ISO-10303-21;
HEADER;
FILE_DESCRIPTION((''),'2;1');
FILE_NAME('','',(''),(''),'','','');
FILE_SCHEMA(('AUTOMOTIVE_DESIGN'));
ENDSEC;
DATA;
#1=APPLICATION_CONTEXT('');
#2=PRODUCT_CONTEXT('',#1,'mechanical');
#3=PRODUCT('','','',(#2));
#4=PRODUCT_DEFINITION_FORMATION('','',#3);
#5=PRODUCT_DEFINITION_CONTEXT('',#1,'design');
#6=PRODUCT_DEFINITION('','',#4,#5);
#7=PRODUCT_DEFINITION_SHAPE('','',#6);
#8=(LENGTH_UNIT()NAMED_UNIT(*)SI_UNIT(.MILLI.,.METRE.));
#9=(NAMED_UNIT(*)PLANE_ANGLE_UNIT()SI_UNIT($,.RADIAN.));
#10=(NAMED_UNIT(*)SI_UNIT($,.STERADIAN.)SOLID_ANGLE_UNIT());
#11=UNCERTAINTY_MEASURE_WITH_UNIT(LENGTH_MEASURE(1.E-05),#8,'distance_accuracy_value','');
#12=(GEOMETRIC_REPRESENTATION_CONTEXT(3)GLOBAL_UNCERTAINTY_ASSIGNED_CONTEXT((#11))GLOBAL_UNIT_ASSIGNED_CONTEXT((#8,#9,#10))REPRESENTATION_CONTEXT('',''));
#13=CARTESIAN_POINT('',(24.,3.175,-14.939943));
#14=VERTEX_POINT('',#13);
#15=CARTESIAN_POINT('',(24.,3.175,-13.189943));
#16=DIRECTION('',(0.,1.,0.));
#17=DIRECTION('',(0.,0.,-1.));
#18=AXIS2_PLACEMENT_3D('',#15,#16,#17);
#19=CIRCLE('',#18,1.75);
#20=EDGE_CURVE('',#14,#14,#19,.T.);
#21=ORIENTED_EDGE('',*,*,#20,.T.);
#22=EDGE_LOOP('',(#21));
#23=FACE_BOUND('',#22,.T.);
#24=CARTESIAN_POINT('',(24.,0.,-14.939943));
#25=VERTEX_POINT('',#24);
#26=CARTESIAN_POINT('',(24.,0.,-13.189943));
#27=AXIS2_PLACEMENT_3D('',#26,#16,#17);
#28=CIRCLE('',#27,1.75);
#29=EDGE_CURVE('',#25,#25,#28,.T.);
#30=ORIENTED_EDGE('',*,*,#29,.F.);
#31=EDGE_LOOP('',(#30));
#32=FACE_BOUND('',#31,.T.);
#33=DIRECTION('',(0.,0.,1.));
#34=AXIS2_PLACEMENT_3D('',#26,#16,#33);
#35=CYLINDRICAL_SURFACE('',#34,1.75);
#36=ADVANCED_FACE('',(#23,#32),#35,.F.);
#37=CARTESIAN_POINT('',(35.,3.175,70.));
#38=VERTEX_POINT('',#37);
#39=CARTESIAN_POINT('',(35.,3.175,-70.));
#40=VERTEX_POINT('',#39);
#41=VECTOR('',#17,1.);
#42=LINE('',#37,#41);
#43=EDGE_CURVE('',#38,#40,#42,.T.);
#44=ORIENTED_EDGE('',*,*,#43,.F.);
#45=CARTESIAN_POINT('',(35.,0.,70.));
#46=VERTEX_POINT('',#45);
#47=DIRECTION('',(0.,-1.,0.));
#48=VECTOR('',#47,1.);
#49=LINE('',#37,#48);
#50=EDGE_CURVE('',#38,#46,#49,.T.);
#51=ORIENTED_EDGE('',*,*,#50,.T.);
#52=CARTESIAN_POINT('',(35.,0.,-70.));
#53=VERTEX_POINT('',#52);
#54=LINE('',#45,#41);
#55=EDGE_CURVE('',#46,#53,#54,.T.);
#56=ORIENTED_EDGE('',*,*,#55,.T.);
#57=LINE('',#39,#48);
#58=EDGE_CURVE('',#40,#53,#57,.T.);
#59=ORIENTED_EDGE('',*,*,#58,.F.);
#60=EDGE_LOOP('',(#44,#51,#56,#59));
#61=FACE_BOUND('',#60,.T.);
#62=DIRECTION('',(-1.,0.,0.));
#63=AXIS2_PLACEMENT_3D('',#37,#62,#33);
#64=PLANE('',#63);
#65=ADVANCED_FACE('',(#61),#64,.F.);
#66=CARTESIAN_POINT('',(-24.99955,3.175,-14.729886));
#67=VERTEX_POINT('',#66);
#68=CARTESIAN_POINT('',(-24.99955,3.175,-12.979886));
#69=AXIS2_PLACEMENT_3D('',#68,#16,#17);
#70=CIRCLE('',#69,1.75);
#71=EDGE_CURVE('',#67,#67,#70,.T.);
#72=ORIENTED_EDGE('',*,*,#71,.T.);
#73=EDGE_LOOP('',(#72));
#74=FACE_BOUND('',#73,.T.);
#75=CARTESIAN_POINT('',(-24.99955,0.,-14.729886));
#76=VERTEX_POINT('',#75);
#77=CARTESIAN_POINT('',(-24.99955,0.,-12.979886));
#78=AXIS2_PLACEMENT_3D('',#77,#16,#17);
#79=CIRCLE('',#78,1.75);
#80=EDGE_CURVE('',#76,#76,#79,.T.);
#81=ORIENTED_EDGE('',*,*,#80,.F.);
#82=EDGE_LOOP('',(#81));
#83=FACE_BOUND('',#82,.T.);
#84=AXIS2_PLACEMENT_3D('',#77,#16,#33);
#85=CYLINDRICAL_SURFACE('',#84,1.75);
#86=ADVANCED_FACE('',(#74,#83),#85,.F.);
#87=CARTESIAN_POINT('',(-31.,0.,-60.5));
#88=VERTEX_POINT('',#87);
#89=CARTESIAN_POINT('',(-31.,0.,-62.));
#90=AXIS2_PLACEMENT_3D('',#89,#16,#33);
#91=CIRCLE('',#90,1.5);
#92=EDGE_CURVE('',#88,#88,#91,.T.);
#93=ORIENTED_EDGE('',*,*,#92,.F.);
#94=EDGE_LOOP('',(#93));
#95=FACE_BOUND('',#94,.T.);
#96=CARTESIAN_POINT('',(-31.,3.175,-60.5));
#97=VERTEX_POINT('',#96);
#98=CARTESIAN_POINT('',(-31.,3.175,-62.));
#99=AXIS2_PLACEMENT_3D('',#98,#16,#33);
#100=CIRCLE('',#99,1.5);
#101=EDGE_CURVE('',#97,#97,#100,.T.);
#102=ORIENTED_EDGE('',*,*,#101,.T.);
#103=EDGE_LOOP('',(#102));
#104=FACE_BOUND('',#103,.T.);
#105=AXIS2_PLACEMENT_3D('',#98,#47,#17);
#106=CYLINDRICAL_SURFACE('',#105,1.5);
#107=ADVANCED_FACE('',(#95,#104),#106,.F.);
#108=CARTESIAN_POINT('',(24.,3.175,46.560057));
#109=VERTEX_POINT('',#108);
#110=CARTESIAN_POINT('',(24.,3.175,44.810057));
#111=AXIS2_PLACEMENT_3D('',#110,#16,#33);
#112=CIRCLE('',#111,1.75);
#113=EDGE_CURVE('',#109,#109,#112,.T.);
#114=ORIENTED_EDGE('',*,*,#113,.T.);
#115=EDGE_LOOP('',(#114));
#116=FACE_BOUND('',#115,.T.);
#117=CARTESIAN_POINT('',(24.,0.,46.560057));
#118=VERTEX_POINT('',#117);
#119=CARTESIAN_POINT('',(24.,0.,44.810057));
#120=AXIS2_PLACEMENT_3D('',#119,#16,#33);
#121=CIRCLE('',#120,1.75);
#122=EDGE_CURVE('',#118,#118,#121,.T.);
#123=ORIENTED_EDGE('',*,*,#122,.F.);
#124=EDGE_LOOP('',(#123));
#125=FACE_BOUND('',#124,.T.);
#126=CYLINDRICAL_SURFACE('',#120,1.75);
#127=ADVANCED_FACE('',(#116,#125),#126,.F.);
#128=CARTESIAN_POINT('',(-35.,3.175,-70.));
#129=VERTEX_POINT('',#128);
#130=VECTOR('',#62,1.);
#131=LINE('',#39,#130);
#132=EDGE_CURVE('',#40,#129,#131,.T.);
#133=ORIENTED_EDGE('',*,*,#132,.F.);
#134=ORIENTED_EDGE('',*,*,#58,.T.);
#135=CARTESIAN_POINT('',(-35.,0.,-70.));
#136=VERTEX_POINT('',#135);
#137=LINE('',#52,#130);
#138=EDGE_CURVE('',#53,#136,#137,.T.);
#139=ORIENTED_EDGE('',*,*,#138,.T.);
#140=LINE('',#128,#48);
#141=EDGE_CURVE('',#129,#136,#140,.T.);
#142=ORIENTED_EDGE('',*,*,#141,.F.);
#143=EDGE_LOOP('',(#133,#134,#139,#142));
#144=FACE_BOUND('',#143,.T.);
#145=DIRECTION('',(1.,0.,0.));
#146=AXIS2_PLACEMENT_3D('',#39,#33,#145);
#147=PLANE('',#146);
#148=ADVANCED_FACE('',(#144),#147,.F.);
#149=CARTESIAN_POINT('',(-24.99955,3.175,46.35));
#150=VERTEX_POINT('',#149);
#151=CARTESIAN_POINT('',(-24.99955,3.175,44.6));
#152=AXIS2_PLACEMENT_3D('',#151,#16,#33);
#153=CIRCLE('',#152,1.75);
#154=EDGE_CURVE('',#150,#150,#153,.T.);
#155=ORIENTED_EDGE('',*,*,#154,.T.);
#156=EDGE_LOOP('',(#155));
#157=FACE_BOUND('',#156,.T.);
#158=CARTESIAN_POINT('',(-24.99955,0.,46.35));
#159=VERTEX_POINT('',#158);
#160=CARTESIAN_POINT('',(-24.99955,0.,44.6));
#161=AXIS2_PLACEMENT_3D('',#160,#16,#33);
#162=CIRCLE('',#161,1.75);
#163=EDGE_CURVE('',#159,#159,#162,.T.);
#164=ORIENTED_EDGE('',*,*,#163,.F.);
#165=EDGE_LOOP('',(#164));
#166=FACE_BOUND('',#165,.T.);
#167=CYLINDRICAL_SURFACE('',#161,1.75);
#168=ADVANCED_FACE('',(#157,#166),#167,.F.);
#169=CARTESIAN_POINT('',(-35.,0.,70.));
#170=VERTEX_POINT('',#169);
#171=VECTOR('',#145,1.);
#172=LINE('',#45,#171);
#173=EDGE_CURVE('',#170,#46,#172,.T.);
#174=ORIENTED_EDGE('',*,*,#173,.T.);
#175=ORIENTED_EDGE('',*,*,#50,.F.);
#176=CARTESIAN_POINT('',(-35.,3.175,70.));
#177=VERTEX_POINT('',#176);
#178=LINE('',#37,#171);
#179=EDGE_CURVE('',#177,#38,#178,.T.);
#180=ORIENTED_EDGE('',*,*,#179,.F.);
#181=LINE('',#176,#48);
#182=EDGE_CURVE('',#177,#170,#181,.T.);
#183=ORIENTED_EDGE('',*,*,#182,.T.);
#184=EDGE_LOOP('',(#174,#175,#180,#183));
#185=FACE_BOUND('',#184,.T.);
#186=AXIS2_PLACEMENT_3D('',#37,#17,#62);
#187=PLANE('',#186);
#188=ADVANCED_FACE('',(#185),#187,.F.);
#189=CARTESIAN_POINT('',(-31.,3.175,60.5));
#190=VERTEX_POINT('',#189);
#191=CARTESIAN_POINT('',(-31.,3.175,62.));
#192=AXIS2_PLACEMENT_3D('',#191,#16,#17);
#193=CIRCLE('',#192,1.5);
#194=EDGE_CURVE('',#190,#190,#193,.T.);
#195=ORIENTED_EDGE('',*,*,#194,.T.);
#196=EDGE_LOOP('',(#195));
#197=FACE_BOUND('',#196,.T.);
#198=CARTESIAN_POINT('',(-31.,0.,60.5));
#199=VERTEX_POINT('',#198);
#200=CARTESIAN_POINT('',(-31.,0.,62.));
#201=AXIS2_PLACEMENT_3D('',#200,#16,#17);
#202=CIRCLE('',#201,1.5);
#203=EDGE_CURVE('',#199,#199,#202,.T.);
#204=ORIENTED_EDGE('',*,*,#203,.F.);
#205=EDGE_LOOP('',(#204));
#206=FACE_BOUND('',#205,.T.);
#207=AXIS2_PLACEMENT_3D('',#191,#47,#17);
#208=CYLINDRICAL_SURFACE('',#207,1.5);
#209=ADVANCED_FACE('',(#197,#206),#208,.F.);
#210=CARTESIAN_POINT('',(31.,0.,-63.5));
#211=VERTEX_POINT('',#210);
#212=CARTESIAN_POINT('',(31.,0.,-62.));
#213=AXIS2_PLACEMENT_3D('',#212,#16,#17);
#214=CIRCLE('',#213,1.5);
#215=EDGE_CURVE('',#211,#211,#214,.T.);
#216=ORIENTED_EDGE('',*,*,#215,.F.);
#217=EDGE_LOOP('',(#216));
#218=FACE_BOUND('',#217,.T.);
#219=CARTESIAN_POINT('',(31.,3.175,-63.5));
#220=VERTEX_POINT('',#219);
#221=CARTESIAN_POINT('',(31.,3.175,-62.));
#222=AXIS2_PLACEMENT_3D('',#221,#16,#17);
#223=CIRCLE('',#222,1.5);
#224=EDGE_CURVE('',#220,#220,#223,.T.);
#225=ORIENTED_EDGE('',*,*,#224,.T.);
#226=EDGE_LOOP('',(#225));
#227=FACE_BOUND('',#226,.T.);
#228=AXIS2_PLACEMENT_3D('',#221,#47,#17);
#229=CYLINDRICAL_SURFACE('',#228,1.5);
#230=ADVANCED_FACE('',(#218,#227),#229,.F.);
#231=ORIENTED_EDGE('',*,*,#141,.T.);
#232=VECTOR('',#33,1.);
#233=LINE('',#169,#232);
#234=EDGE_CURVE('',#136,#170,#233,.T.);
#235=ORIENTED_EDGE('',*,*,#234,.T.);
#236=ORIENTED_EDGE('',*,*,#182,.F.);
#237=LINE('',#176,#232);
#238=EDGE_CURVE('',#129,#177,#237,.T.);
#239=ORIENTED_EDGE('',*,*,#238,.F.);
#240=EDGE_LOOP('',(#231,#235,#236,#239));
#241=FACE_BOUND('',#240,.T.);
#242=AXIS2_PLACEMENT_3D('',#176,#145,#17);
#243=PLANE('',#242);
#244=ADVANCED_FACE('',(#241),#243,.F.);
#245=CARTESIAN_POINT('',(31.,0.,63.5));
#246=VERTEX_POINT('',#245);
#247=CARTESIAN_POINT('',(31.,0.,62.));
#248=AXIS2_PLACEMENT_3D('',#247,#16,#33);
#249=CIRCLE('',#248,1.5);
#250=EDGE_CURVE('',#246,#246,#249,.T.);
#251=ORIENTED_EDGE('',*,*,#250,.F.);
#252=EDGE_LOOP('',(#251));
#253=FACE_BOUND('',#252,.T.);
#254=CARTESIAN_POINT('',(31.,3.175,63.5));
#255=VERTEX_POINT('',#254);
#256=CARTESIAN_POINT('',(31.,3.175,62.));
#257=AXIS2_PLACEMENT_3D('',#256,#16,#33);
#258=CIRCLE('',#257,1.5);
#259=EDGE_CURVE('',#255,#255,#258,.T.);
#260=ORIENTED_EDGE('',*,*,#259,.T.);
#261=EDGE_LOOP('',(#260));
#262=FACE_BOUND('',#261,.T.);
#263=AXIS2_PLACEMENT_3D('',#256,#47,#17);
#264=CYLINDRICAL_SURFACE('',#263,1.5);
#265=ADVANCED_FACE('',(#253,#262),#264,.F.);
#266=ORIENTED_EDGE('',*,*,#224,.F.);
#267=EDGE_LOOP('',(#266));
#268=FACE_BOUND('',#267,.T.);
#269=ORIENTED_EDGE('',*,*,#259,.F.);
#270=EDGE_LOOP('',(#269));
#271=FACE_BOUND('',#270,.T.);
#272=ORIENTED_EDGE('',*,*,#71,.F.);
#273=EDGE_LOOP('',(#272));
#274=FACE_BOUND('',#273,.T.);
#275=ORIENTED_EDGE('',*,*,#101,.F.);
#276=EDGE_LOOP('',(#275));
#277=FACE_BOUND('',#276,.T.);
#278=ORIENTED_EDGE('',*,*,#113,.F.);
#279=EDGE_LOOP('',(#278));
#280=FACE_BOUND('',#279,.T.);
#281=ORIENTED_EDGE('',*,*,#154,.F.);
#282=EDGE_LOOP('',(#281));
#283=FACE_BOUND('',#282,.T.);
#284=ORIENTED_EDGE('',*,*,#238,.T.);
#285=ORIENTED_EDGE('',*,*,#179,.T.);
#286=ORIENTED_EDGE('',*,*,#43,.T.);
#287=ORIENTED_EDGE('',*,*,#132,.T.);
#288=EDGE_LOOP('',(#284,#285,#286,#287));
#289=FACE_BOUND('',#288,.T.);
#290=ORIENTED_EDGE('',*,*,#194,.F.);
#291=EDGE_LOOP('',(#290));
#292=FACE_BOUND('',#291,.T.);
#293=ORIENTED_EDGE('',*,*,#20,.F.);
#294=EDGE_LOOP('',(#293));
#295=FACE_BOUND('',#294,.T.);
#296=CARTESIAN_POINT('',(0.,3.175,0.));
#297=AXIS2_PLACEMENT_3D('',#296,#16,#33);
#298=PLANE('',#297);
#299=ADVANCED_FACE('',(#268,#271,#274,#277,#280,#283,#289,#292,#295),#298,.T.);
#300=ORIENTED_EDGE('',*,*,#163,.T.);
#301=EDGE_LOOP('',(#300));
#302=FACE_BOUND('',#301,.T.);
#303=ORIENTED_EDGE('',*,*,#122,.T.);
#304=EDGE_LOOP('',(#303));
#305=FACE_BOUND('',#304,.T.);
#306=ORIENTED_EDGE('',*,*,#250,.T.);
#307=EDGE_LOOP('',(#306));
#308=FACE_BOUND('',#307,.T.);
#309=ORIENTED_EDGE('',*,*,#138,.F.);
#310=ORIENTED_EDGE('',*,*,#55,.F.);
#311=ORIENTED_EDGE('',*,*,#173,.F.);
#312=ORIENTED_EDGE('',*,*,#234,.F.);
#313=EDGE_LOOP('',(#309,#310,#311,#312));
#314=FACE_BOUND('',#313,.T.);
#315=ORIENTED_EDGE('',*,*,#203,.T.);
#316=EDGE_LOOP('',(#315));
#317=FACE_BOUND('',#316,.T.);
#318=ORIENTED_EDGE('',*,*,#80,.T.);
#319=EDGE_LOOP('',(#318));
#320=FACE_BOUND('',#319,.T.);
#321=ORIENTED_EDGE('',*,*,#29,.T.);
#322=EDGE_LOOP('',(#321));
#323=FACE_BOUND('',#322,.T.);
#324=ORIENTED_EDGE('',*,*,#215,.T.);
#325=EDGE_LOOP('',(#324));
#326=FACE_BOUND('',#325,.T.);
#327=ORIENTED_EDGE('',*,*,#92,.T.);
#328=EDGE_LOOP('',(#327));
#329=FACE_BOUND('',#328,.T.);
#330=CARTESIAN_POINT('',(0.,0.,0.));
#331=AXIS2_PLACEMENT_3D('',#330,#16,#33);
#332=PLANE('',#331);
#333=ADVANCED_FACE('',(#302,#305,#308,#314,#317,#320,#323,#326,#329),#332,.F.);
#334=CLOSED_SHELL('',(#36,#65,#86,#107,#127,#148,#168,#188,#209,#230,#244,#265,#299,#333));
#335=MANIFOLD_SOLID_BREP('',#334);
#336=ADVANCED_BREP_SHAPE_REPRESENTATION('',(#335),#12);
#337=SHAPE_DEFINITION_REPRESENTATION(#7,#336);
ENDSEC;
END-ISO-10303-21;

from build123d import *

# Parameters (mm, degrees)
SKETCH2_W           = 70
SKETCH2_H           = 140
SKETCH2_R           = 1.5
BOSS_EXTRUDE1_DEPTH = 3.175
SKETCH3_R           = 1.75
CUT_EXTRUDE1_DEPTH  = 79.326755486


with BuildPart() as part:
    # Sketch2 → Boss-Extrude1 (new body)
    with BuildSketch(Plane(origin=(0, 0, 0), x_dir=(1, 0, 0), z_dir=(0, 1, 0))):
        Rectangle(SKETCH2_W, SKETCH2_H)
        with Locations(Location((31, -62, 0), (0, 0, 270))):
            Circle(SKETCH2_R, mode=Mode.SUBTRACT)
        with Locations(Location((31, 62, 0), (0, 0, 90))):
            Circle(SKETCH2_R, mode=Mode.SUBTRACT)
        with Locations(Location((-31, 62, 0), (0, 0, 270))):
            Circle(SKETCH2_R, mode=Mode.SUBTRACT)
        with Locations(Location((-31, -62, 0), (0, 0, 90))):
            Circle(SKETCH2_R, mode=Mode.SUBTRACT)
    extrude(amount=BOSS_EXTRUDE1_DEPTH)

    # Sketch3 → Cut-Extrude1 (cut, through all)
    with BuildSketch(Plane(origin=(0, 3.175, 0), x_dir=(1, 0, 0), z_dir=(0, 1, 0))):
        with Locations(Location((-24.999549753, -44.6, 0), (0, 0, 270))):
            Circle(SKETCH3_R)
        with Locations(Location((24, -44.810057195, 0), (0, 0, 270))):
            Circle(SKETCH3_R)
        with Locations(Location((24, 13.189942805, 0), (0, 0, 90))):
            Circle(SKETCH3_R)
        with Locations(Location((-24.999549753, 12.97988561, 0), (0, 0, 90))):
            Circle(SKETCH3_R)
    extrude(amount=-CUT_EXTRUDE1_DEPTH, mode=Mode.SUBTRACT)


solid = part.part
